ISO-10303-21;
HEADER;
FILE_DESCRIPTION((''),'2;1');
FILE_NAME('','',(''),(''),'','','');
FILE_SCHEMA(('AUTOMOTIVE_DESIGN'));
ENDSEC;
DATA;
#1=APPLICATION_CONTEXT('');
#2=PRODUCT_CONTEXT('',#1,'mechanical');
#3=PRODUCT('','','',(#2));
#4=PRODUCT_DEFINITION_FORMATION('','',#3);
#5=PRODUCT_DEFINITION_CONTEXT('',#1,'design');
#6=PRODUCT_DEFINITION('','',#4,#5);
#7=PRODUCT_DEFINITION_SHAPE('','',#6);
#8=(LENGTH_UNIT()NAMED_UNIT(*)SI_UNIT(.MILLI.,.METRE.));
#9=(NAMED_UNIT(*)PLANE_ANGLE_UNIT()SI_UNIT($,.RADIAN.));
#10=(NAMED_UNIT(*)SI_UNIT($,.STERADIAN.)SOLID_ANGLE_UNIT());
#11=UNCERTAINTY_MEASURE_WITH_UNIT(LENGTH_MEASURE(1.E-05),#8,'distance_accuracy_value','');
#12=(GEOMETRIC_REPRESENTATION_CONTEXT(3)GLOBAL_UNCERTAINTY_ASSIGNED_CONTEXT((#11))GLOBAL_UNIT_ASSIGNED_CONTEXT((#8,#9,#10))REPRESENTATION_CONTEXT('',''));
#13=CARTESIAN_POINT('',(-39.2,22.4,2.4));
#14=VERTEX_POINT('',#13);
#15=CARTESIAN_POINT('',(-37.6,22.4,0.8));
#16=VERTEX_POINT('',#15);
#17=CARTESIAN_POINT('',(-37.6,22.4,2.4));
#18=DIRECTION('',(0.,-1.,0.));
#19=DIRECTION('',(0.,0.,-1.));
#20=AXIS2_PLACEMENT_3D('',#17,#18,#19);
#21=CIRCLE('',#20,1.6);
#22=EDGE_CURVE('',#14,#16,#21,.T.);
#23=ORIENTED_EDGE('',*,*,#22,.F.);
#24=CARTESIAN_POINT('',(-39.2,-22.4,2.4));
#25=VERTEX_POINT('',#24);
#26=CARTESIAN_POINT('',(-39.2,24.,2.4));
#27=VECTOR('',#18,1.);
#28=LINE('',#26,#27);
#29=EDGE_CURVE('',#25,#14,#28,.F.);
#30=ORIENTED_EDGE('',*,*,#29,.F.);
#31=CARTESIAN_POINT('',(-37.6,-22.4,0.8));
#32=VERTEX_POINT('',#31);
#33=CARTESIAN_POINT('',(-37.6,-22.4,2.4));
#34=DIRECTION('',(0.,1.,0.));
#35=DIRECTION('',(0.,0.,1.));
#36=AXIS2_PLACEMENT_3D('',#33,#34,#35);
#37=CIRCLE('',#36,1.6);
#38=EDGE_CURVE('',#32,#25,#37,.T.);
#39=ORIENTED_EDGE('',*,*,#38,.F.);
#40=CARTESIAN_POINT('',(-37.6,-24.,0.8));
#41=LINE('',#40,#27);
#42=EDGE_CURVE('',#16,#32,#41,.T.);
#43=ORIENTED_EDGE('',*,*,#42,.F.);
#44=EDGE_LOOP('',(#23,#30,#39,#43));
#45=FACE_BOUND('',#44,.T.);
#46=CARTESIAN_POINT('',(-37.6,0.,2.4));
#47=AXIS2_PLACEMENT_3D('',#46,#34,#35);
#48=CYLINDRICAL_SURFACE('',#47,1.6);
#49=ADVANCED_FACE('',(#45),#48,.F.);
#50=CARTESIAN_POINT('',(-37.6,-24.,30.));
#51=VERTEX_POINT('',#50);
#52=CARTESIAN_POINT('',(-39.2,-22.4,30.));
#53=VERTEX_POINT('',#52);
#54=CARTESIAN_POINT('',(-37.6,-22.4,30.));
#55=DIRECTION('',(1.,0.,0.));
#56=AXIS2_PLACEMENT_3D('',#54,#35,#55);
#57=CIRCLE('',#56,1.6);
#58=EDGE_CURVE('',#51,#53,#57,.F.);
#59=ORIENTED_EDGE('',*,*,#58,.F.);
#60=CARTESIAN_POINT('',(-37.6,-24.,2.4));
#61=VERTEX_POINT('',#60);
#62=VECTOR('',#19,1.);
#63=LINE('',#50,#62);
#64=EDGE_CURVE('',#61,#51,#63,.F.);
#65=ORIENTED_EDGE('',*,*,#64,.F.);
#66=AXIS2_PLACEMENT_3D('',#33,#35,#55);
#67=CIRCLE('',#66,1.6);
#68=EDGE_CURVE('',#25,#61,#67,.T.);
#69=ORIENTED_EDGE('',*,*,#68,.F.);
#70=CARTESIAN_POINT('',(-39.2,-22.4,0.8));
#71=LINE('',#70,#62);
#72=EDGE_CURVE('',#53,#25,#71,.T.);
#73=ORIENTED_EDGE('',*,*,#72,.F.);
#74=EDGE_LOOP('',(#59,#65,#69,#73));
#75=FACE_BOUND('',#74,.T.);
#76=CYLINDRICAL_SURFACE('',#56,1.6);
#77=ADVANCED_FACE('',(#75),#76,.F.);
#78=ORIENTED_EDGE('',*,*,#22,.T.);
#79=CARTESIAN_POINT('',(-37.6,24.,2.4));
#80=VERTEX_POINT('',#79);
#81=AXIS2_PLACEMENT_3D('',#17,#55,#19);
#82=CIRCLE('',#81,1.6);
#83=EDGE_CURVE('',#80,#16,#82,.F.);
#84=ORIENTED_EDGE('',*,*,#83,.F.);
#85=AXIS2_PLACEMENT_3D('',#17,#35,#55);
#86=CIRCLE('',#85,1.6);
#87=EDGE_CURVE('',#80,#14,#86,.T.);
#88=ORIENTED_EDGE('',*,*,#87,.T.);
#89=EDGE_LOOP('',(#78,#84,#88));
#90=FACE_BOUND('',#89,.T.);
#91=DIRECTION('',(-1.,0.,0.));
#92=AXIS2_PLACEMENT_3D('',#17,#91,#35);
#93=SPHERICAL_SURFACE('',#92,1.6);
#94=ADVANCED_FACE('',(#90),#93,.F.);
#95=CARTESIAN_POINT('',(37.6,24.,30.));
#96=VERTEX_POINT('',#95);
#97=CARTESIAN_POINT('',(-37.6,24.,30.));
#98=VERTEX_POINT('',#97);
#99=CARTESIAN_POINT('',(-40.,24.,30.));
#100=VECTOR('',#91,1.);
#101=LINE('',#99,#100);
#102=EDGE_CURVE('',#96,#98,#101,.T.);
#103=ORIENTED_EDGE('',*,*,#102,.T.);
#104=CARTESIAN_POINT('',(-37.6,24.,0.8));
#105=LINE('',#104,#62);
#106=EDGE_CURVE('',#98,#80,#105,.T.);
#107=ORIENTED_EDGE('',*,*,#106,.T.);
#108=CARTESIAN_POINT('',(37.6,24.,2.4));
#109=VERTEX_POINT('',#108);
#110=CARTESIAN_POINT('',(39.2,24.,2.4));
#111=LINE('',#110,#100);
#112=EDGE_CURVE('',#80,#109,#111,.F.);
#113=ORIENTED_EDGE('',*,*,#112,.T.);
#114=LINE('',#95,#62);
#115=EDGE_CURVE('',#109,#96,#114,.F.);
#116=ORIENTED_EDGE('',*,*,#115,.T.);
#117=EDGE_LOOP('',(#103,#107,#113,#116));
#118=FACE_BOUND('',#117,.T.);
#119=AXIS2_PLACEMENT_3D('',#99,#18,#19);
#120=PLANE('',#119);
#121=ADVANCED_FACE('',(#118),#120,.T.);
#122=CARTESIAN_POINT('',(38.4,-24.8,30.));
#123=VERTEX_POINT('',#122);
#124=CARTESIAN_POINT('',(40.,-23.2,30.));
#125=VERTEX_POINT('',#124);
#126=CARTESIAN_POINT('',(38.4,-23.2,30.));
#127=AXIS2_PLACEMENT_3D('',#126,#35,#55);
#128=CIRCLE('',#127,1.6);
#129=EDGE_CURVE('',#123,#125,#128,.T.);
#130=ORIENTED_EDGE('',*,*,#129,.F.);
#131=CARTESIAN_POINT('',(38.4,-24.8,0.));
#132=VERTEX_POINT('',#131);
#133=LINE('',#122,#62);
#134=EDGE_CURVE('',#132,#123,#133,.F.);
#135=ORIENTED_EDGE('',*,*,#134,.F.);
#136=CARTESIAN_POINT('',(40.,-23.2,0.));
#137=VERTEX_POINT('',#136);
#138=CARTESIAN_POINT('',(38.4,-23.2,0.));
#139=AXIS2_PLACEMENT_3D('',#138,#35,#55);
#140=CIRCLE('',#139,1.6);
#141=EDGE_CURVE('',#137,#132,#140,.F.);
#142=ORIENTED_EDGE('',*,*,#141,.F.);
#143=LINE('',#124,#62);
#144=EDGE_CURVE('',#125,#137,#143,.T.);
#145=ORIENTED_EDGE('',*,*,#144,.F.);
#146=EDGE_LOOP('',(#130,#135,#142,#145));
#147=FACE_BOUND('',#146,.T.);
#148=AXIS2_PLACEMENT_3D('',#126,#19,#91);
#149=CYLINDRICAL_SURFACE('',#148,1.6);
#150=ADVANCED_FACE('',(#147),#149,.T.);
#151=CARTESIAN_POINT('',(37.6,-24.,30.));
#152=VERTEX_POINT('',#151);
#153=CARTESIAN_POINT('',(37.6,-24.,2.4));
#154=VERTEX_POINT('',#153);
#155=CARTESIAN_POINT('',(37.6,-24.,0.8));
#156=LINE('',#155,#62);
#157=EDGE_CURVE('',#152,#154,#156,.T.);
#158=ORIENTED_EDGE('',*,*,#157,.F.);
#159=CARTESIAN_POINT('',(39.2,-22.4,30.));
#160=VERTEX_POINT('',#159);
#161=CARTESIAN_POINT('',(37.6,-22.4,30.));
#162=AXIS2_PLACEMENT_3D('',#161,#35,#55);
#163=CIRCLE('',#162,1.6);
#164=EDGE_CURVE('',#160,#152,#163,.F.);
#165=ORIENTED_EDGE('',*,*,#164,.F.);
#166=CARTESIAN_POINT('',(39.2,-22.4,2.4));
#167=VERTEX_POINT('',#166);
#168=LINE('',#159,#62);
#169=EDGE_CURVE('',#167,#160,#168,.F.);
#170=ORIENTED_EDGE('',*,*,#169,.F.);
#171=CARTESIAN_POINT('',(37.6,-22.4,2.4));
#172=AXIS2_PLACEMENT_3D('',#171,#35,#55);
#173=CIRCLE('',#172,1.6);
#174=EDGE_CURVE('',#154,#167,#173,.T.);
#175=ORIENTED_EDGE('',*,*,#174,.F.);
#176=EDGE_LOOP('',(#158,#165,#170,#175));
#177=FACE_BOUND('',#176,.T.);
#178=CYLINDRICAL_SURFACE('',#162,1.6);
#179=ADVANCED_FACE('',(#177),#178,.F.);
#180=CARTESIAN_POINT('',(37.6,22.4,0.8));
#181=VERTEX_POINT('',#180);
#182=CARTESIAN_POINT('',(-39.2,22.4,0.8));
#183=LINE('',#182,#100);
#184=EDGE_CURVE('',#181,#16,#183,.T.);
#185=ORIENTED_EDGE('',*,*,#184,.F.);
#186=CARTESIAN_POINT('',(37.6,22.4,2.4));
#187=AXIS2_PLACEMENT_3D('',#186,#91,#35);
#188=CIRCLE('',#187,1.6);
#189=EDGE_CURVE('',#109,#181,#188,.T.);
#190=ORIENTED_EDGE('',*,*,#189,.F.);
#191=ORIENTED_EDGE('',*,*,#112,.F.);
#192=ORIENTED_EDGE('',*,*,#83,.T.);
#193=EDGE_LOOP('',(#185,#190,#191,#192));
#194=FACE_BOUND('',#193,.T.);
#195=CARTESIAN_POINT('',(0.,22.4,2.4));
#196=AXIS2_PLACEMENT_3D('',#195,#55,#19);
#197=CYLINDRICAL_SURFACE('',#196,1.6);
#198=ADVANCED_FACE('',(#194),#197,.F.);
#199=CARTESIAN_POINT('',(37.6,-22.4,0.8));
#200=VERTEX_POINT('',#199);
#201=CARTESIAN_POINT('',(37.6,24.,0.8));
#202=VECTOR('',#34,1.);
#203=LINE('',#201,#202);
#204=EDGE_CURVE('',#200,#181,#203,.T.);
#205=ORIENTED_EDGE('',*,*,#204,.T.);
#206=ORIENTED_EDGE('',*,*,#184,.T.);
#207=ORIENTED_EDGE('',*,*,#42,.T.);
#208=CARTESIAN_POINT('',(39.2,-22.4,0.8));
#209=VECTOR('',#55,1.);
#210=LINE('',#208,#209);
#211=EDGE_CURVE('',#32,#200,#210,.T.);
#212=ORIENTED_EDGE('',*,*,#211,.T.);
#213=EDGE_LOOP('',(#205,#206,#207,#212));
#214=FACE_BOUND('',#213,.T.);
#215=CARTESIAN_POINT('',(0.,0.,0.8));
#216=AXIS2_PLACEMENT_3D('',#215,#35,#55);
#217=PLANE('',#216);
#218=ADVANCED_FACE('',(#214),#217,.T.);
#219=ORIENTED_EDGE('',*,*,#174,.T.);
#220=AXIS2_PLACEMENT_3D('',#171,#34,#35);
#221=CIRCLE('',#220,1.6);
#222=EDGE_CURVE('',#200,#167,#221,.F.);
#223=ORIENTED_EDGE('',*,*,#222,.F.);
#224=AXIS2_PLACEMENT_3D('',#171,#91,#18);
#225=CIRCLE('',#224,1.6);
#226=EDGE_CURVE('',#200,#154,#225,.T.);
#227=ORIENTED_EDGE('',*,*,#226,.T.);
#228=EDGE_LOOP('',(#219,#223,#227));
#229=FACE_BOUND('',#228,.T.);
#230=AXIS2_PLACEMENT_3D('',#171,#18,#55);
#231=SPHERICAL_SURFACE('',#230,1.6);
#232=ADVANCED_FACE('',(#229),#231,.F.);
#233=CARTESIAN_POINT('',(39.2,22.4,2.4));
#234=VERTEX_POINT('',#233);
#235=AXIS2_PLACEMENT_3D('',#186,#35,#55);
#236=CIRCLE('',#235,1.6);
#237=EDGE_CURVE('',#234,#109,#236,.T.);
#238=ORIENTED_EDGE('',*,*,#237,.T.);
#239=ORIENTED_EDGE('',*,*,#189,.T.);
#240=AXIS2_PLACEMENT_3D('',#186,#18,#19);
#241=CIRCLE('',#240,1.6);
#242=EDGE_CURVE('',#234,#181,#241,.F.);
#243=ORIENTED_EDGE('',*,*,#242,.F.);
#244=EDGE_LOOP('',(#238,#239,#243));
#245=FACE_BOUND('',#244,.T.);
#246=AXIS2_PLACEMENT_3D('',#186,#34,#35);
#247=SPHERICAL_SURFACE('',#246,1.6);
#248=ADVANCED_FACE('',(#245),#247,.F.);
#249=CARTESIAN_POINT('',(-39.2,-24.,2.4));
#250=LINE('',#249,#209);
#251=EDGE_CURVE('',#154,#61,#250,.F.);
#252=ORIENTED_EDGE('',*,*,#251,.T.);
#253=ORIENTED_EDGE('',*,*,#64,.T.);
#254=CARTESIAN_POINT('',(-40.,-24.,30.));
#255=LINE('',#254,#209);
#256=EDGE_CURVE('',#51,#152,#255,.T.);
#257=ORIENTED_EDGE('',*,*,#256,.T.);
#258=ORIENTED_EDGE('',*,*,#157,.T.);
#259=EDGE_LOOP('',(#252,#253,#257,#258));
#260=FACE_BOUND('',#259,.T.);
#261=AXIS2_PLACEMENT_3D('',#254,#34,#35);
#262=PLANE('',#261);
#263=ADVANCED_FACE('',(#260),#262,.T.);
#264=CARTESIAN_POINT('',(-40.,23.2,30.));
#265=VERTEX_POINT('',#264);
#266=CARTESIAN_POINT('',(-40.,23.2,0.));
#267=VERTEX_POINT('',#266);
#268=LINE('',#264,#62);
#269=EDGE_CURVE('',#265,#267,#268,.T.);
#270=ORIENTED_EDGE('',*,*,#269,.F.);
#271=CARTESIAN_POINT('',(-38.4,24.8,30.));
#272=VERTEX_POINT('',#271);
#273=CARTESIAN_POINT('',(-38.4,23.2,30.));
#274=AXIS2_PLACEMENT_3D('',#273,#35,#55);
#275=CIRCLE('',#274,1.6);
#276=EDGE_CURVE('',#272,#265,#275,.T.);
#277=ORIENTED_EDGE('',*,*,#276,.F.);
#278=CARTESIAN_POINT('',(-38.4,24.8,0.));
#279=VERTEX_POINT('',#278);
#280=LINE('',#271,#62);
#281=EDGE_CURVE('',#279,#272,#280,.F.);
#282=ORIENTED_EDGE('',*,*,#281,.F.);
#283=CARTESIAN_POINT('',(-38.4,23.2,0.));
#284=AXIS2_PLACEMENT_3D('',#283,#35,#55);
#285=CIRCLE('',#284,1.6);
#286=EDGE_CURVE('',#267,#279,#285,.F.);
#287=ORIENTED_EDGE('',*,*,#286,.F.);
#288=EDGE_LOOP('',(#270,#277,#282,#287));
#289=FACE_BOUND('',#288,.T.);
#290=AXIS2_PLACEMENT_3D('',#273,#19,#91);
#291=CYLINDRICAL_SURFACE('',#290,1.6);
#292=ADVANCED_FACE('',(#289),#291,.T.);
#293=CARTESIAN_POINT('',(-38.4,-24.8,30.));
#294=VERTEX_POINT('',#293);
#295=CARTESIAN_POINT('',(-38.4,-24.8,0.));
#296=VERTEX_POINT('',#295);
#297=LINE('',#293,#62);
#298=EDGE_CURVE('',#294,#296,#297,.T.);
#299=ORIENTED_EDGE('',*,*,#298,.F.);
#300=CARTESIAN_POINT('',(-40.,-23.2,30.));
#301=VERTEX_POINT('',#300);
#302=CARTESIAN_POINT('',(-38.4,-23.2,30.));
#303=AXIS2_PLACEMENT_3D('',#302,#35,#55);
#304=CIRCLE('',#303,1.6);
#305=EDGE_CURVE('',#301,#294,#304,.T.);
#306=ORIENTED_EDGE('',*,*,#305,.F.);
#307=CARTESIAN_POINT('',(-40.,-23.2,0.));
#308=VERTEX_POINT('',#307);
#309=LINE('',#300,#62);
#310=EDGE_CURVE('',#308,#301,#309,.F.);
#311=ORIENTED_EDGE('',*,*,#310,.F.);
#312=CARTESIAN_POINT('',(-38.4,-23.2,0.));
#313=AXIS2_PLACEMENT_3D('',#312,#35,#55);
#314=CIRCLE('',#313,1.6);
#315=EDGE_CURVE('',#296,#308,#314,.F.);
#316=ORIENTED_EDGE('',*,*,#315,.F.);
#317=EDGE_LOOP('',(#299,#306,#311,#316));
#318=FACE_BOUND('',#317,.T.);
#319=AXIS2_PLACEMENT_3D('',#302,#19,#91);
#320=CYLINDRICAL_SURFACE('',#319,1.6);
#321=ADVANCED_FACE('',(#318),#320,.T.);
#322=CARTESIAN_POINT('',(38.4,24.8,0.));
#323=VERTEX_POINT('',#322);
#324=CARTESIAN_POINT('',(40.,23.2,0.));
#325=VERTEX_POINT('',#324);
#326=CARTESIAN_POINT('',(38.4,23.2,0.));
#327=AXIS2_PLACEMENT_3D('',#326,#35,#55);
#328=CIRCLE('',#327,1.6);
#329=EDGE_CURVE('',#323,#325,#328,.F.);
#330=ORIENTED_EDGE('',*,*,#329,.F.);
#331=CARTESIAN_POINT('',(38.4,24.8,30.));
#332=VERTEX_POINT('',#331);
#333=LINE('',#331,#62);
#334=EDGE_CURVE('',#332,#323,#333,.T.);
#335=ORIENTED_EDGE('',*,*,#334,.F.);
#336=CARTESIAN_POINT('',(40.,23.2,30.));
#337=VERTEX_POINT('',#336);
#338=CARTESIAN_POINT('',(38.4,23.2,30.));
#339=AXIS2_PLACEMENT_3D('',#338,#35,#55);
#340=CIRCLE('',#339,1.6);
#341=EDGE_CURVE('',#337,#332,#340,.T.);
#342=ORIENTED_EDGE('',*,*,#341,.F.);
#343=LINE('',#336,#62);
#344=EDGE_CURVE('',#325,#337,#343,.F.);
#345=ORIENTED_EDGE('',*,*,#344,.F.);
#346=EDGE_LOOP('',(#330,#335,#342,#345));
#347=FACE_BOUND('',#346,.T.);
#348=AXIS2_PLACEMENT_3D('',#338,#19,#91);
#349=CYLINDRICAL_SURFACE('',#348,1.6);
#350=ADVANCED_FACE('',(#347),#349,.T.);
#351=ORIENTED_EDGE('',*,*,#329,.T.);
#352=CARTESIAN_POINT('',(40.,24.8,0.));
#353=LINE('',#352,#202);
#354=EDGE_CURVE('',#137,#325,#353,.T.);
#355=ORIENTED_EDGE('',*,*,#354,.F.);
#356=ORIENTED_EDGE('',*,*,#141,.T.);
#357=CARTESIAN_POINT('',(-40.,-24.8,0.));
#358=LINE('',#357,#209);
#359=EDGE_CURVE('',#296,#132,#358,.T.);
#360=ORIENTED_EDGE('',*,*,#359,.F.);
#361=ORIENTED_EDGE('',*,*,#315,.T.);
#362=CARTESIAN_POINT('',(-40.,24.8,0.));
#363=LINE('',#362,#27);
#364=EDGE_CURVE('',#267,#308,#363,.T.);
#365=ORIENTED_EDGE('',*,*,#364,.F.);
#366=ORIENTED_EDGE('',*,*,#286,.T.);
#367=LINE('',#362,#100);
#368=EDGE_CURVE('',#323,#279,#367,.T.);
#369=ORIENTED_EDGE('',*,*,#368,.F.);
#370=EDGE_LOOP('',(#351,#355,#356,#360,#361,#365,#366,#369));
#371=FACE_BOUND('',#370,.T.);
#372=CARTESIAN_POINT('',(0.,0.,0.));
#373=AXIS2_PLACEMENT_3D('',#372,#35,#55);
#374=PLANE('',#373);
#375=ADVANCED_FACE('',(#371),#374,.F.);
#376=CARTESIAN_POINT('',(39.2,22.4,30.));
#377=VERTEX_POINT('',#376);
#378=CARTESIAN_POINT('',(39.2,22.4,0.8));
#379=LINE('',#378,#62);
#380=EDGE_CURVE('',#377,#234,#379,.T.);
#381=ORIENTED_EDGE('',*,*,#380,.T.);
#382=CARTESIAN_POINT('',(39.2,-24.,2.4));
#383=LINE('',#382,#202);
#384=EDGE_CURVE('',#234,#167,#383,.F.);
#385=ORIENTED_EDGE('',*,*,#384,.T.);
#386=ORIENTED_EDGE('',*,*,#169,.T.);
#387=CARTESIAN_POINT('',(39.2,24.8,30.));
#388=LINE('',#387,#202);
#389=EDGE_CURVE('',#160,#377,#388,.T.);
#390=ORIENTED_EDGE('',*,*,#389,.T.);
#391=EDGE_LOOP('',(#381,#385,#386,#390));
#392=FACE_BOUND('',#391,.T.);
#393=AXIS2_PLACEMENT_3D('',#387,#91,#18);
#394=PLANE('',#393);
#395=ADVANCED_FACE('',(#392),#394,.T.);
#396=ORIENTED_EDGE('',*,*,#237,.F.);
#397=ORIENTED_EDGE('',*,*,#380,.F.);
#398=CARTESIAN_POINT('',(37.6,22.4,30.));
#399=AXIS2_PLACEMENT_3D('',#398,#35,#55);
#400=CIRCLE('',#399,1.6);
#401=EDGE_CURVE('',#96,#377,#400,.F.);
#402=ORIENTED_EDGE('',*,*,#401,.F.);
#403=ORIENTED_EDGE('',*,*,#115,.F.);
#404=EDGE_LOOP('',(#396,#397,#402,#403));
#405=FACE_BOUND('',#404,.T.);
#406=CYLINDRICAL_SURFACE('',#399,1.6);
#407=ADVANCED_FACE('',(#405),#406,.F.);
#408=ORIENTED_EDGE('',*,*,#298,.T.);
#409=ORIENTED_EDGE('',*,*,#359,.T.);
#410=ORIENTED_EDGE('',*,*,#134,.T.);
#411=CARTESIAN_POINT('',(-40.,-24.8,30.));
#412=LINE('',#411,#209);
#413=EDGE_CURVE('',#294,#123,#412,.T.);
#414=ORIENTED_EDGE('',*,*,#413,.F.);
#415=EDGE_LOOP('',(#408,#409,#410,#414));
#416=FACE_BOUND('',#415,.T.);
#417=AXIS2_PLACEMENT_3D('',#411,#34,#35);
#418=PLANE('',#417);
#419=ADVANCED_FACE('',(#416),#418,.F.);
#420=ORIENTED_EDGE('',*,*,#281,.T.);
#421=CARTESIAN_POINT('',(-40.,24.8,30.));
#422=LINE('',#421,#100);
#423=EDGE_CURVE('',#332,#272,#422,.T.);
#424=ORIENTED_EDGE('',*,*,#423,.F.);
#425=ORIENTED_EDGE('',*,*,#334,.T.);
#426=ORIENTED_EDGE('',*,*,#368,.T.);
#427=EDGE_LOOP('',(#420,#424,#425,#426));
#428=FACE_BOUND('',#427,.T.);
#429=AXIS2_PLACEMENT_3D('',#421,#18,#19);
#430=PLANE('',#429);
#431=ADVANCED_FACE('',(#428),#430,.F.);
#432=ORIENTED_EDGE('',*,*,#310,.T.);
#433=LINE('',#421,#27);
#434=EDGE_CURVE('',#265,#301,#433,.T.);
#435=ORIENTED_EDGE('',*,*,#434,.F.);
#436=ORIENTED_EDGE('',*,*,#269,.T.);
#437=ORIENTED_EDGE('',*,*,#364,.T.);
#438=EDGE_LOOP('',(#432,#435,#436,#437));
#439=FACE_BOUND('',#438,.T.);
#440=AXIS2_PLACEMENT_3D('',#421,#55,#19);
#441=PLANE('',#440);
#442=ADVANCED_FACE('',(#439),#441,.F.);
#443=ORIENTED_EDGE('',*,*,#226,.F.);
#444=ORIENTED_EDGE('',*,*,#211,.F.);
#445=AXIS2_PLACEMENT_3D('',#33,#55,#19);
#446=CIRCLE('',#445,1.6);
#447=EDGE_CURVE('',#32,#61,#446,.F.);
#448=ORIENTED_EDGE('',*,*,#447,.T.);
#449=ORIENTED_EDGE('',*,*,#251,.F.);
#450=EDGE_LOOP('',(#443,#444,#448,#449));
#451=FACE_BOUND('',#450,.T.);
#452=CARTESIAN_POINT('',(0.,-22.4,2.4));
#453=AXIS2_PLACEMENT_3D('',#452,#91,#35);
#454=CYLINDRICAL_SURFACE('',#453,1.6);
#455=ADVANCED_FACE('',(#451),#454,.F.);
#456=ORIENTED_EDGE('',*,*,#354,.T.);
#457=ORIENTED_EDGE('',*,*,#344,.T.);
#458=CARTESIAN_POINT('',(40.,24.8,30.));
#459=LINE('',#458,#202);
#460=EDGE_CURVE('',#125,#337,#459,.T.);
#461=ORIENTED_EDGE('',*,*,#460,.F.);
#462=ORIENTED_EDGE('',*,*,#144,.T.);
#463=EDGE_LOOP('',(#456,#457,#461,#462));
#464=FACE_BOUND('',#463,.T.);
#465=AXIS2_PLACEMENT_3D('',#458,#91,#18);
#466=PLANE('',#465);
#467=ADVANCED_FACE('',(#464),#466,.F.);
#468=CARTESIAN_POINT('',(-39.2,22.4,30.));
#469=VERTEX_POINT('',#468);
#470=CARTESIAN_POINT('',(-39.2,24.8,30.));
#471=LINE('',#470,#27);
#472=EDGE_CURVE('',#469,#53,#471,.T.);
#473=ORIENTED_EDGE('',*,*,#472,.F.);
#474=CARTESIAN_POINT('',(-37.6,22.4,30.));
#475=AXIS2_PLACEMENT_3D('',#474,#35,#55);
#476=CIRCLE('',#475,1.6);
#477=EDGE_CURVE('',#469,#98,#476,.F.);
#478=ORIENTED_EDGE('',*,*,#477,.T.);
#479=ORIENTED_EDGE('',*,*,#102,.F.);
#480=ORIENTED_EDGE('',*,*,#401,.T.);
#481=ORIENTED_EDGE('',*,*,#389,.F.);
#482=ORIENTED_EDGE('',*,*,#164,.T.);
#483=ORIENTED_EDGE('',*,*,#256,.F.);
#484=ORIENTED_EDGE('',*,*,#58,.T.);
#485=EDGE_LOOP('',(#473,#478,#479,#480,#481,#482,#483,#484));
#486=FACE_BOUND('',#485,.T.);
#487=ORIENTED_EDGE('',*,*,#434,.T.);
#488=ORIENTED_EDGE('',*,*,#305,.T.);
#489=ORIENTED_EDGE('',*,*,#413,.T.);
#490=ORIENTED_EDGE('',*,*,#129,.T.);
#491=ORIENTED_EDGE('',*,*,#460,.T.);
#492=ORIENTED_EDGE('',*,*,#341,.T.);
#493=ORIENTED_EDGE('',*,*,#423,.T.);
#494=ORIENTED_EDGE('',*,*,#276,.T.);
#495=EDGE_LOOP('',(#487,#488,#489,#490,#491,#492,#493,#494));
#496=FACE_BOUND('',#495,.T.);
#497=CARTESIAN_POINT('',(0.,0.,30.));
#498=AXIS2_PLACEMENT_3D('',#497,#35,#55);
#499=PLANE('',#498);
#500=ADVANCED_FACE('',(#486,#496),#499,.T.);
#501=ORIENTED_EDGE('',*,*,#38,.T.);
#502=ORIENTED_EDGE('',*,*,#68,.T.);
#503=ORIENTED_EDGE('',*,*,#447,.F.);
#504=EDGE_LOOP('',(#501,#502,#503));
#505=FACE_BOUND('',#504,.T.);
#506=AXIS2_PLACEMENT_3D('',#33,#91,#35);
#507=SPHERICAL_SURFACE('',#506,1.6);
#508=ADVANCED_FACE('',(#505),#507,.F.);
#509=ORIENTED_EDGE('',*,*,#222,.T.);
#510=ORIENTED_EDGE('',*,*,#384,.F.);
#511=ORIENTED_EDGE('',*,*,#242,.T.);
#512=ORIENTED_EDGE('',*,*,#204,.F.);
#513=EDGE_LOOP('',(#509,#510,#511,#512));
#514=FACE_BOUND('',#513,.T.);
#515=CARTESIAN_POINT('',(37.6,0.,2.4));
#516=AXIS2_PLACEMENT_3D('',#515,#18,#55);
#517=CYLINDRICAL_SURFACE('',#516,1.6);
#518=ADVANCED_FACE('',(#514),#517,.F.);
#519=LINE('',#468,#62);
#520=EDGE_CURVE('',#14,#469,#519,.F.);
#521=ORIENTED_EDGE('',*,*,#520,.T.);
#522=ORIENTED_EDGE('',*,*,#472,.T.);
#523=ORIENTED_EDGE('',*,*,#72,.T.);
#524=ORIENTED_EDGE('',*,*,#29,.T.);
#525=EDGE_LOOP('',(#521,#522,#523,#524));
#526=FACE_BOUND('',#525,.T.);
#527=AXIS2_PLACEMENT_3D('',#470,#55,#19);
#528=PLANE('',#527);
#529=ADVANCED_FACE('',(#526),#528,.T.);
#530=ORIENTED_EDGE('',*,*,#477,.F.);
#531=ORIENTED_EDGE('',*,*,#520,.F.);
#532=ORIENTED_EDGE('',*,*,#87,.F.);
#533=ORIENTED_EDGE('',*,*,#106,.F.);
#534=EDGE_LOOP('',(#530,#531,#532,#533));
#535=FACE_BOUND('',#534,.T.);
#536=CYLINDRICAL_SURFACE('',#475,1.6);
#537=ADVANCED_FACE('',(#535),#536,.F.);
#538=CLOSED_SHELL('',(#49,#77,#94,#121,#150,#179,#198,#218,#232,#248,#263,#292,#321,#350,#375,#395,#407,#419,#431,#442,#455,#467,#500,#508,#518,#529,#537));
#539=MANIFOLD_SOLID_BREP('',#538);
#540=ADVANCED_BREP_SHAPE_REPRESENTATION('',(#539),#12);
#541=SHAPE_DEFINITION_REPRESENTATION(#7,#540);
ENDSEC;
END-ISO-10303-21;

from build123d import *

# Parameters (mm, degrees)
ESQUISSE1_W        = 80
ESQUISSE1_H        = 49.6
BOSS_EXTRU_1_DEPTH = 30
COQUE1_T           = -0.8
CONG_1_R           = 1.6


with BuildPart() as part:
    # Esquisse1 → Boss.-Extru.1 (new body)
    with BuildSketch(Plane.XY):
        Rectangle(ESQUISSE1_W, ESQUISSE1_H)
    extrude(amount=BOSS_EXTRU_1_DEPTH)

    # Coque1
    coque1_openings = [part.faces().sort_by_distance(p)[0] for p in [
        (0, 0, 30),
    ]]
    offset(amount=COQUE1_T, openings=coque1_openings, kind=Kind.INTERSECTION)

    # Congé1
    cong_1_edges = [part.edges().sort_by_distance(p)[0] for p in [
        (39.2, 0, 0.8),
        (39.2, -24, 15.4),
        (0, 24, 0.8),
        (39.2, 24, 15.4),
        (-39.2, 0, 0.8),
        (-39.2, 24, 15.4),
        (0, -24, 0.8),
        (-39.2, -24, 15.4),
        (40, -24.8, 15),
        (-40, -24.8, 15),
        (-40, 24.8, 15),
        (40, 24.8, 15),
    ]]
    fillet(cong_1_edges, radius=CONG_1_R)


solid = part.part
